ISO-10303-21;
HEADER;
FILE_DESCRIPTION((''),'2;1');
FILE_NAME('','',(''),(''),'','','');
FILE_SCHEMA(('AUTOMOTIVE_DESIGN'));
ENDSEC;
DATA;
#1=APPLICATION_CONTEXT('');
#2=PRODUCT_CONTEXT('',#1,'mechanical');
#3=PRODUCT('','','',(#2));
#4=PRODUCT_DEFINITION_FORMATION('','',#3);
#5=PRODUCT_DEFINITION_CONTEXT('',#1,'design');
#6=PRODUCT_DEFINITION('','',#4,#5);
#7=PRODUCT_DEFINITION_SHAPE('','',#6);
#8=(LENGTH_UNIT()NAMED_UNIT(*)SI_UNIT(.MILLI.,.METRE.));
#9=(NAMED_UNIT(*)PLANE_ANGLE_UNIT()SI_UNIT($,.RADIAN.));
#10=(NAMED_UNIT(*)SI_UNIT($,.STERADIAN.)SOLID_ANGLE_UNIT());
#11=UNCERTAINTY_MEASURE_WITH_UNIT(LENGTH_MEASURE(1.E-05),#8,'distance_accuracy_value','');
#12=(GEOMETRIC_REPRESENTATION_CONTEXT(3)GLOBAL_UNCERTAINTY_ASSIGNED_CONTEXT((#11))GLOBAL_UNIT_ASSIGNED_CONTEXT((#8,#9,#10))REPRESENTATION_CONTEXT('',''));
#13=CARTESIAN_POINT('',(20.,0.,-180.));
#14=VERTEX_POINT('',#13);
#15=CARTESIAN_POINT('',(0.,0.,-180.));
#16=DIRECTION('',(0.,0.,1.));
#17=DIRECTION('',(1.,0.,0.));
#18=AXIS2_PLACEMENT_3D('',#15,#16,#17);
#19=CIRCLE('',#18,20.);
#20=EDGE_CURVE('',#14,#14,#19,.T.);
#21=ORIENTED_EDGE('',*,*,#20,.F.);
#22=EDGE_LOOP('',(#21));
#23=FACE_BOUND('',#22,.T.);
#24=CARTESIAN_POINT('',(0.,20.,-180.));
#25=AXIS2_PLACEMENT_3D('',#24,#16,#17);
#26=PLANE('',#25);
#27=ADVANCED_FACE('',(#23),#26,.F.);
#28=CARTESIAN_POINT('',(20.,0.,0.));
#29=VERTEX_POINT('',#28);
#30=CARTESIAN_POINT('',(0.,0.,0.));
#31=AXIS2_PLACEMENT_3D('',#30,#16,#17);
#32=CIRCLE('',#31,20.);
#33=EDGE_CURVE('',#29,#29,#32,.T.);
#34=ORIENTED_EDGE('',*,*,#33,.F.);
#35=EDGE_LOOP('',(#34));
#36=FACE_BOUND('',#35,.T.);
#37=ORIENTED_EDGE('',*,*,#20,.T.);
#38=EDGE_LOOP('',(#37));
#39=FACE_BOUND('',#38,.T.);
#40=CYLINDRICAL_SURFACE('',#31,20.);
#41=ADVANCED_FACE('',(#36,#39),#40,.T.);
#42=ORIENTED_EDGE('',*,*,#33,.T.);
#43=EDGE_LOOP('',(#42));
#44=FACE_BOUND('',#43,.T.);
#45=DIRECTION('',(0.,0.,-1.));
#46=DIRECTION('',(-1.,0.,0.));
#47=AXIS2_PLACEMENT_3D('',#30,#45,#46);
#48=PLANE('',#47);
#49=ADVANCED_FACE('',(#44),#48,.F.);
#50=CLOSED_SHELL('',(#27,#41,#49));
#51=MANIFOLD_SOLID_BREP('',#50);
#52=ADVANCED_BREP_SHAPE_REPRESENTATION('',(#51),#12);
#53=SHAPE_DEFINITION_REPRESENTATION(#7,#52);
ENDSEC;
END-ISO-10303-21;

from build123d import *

# Parameters (mm, degrees)
SKETCH_1_W = 180
SKETCH_1_H = 20


with BuildPart() as part:
    # 草图1 → 旋转1 (revolve)
    with BuildSketch(Plane(origin=(0, 0, 0), x_dir=(0, 0, -1), z_dir=(1, 0, 0)), mode=Mode.PRIVATE) as revolve_1_sk:
        with Locations((90, 10)):
            Rectangle(SKETCH_1_W, SKETCH_1_H)
    revolve(revolve_1_sk.sketch.rotate(Axis((0, 0, 0), (0, 0, -1)), 90), axis=Axis((0, 0, 0), (0, 0, -1)))


solid = part.part
